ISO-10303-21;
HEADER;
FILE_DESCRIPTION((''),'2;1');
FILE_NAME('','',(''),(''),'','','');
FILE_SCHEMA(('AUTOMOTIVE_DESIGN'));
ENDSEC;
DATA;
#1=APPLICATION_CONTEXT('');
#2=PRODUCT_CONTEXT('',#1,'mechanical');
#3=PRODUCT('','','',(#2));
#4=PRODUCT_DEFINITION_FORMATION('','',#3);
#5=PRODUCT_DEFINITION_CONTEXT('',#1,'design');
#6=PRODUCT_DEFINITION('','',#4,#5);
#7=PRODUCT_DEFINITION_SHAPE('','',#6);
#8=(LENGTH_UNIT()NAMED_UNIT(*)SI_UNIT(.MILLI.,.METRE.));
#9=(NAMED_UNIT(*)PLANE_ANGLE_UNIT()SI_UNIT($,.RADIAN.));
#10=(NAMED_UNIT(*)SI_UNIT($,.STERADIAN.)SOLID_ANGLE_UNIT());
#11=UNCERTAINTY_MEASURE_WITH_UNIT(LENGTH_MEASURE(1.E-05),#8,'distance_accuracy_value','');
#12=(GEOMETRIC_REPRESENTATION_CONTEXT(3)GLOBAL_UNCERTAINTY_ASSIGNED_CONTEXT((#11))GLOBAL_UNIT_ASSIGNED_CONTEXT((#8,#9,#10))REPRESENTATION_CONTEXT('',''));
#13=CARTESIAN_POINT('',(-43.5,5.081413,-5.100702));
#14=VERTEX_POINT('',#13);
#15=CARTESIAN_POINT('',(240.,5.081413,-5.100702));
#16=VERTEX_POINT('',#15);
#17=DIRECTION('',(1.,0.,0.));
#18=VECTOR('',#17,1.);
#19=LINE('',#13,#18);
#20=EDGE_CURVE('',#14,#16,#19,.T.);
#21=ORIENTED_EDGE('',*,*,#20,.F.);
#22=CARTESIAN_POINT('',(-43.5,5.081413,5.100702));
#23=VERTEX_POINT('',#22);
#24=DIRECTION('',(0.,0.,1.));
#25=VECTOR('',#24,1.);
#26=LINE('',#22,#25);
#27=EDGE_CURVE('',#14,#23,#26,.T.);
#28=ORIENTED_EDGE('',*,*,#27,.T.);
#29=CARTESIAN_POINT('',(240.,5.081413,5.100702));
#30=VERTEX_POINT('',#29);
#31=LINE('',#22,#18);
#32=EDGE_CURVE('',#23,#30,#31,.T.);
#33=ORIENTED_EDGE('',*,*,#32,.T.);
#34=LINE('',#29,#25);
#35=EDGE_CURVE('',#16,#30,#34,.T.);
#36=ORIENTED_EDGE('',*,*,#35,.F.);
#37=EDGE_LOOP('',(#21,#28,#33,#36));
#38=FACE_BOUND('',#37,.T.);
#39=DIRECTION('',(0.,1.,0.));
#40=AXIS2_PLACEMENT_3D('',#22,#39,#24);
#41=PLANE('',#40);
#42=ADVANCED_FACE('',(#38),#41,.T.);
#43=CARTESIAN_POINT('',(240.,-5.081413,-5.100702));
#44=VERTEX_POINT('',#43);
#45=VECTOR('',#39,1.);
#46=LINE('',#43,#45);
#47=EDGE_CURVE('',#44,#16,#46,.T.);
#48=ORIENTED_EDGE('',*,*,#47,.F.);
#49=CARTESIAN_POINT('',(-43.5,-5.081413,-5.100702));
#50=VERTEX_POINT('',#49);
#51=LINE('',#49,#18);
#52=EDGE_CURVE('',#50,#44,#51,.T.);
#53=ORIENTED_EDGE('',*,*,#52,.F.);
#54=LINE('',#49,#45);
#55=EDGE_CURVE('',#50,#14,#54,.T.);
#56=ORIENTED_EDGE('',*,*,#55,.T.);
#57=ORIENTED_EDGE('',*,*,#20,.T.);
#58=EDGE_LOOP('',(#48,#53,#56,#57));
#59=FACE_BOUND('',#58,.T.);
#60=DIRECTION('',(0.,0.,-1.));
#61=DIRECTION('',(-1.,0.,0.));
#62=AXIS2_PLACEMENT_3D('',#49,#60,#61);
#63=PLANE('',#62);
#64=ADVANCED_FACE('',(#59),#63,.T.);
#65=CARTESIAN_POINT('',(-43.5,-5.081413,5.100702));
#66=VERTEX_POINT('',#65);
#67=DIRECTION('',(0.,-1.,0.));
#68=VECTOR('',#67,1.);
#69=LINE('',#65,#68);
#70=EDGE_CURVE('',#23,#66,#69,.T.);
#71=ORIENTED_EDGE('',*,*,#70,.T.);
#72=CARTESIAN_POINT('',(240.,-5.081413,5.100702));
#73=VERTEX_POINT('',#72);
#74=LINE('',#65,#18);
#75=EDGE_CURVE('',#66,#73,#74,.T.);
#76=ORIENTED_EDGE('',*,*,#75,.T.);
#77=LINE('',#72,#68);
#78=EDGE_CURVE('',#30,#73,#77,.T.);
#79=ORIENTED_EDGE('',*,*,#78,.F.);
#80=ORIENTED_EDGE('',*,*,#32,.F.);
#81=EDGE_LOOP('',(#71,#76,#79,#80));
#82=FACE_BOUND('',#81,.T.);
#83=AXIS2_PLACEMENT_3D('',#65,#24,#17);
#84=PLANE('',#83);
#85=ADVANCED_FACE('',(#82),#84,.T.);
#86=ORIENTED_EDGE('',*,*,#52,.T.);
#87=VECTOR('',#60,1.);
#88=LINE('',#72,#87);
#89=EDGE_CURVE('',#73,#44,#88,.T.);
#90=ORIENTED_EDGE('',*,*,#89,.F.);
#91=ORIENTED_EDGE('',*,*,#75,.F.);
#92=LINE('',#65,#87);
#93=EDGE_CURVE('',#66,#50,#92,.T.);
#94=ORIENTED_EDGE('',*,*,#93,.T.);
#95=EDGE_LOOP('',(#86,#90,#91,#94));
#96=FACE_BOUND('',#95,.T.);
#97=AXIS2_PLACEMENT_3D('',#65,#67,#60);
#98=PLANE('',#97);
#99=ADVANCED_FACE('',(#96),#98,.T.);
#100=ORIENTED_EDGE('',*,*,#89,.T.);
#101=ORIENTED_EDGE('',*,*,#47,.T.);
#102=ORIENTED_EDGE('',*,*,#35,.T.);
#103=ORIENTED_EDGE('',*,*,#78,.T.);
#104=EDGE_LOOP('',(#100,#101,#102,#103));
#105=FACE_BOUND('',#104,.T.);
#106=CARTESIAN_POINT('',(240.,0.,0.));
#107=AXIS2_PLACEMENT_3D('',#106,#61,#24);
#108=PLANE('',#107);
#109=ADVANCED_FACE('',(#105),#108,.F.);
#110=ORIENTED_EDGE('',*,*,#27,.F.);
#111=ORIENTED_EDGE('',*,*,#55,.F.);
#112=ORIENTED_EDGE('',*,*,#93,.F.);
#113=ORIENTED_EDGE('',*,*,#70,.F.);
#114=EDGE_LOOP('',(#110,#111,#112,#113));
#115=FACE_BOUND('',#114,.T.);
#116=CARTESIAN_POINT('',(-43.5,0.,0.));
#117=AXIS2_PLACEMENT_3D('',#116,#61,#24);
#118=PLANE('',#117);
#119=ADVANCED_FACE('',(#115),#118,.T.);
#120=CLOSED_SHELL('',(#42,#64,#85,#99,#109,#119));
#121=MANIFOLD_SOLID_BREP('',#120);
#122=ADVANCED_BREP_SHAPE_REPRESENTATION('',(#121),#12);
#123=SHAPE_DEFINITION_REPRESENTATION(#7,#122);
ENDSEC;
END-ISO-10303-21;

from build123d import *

# Parameters (mm, degrees)
EXTRUDE_1_DEPTH      = 240
EXTRUDE_1_DEPTH_BACK = 43.5
SKETCH_1_W           = 10.201404516
SKETCH_1_H           = 10.162826856


with BuildPart() as part:
    # 草图1 → 凸台-拉伸1 (new, two sides: drawn at the far end of the back side and taken through both)
    with BuildSketch(Plane(origin=(0, 0, 0), x_dir=(0, 0, -1), z_dir=(1, 0, 0)).offset(-EXTRUDE_1_DEPTH_BACK)):
        Rectangle(SKETCH_1_W, SKETCH_1_H)
    extrude(amount=EXTRUDE_1_DEPTH + EXTRUDE_1_DEPTH_BACK)


solid = part.part
